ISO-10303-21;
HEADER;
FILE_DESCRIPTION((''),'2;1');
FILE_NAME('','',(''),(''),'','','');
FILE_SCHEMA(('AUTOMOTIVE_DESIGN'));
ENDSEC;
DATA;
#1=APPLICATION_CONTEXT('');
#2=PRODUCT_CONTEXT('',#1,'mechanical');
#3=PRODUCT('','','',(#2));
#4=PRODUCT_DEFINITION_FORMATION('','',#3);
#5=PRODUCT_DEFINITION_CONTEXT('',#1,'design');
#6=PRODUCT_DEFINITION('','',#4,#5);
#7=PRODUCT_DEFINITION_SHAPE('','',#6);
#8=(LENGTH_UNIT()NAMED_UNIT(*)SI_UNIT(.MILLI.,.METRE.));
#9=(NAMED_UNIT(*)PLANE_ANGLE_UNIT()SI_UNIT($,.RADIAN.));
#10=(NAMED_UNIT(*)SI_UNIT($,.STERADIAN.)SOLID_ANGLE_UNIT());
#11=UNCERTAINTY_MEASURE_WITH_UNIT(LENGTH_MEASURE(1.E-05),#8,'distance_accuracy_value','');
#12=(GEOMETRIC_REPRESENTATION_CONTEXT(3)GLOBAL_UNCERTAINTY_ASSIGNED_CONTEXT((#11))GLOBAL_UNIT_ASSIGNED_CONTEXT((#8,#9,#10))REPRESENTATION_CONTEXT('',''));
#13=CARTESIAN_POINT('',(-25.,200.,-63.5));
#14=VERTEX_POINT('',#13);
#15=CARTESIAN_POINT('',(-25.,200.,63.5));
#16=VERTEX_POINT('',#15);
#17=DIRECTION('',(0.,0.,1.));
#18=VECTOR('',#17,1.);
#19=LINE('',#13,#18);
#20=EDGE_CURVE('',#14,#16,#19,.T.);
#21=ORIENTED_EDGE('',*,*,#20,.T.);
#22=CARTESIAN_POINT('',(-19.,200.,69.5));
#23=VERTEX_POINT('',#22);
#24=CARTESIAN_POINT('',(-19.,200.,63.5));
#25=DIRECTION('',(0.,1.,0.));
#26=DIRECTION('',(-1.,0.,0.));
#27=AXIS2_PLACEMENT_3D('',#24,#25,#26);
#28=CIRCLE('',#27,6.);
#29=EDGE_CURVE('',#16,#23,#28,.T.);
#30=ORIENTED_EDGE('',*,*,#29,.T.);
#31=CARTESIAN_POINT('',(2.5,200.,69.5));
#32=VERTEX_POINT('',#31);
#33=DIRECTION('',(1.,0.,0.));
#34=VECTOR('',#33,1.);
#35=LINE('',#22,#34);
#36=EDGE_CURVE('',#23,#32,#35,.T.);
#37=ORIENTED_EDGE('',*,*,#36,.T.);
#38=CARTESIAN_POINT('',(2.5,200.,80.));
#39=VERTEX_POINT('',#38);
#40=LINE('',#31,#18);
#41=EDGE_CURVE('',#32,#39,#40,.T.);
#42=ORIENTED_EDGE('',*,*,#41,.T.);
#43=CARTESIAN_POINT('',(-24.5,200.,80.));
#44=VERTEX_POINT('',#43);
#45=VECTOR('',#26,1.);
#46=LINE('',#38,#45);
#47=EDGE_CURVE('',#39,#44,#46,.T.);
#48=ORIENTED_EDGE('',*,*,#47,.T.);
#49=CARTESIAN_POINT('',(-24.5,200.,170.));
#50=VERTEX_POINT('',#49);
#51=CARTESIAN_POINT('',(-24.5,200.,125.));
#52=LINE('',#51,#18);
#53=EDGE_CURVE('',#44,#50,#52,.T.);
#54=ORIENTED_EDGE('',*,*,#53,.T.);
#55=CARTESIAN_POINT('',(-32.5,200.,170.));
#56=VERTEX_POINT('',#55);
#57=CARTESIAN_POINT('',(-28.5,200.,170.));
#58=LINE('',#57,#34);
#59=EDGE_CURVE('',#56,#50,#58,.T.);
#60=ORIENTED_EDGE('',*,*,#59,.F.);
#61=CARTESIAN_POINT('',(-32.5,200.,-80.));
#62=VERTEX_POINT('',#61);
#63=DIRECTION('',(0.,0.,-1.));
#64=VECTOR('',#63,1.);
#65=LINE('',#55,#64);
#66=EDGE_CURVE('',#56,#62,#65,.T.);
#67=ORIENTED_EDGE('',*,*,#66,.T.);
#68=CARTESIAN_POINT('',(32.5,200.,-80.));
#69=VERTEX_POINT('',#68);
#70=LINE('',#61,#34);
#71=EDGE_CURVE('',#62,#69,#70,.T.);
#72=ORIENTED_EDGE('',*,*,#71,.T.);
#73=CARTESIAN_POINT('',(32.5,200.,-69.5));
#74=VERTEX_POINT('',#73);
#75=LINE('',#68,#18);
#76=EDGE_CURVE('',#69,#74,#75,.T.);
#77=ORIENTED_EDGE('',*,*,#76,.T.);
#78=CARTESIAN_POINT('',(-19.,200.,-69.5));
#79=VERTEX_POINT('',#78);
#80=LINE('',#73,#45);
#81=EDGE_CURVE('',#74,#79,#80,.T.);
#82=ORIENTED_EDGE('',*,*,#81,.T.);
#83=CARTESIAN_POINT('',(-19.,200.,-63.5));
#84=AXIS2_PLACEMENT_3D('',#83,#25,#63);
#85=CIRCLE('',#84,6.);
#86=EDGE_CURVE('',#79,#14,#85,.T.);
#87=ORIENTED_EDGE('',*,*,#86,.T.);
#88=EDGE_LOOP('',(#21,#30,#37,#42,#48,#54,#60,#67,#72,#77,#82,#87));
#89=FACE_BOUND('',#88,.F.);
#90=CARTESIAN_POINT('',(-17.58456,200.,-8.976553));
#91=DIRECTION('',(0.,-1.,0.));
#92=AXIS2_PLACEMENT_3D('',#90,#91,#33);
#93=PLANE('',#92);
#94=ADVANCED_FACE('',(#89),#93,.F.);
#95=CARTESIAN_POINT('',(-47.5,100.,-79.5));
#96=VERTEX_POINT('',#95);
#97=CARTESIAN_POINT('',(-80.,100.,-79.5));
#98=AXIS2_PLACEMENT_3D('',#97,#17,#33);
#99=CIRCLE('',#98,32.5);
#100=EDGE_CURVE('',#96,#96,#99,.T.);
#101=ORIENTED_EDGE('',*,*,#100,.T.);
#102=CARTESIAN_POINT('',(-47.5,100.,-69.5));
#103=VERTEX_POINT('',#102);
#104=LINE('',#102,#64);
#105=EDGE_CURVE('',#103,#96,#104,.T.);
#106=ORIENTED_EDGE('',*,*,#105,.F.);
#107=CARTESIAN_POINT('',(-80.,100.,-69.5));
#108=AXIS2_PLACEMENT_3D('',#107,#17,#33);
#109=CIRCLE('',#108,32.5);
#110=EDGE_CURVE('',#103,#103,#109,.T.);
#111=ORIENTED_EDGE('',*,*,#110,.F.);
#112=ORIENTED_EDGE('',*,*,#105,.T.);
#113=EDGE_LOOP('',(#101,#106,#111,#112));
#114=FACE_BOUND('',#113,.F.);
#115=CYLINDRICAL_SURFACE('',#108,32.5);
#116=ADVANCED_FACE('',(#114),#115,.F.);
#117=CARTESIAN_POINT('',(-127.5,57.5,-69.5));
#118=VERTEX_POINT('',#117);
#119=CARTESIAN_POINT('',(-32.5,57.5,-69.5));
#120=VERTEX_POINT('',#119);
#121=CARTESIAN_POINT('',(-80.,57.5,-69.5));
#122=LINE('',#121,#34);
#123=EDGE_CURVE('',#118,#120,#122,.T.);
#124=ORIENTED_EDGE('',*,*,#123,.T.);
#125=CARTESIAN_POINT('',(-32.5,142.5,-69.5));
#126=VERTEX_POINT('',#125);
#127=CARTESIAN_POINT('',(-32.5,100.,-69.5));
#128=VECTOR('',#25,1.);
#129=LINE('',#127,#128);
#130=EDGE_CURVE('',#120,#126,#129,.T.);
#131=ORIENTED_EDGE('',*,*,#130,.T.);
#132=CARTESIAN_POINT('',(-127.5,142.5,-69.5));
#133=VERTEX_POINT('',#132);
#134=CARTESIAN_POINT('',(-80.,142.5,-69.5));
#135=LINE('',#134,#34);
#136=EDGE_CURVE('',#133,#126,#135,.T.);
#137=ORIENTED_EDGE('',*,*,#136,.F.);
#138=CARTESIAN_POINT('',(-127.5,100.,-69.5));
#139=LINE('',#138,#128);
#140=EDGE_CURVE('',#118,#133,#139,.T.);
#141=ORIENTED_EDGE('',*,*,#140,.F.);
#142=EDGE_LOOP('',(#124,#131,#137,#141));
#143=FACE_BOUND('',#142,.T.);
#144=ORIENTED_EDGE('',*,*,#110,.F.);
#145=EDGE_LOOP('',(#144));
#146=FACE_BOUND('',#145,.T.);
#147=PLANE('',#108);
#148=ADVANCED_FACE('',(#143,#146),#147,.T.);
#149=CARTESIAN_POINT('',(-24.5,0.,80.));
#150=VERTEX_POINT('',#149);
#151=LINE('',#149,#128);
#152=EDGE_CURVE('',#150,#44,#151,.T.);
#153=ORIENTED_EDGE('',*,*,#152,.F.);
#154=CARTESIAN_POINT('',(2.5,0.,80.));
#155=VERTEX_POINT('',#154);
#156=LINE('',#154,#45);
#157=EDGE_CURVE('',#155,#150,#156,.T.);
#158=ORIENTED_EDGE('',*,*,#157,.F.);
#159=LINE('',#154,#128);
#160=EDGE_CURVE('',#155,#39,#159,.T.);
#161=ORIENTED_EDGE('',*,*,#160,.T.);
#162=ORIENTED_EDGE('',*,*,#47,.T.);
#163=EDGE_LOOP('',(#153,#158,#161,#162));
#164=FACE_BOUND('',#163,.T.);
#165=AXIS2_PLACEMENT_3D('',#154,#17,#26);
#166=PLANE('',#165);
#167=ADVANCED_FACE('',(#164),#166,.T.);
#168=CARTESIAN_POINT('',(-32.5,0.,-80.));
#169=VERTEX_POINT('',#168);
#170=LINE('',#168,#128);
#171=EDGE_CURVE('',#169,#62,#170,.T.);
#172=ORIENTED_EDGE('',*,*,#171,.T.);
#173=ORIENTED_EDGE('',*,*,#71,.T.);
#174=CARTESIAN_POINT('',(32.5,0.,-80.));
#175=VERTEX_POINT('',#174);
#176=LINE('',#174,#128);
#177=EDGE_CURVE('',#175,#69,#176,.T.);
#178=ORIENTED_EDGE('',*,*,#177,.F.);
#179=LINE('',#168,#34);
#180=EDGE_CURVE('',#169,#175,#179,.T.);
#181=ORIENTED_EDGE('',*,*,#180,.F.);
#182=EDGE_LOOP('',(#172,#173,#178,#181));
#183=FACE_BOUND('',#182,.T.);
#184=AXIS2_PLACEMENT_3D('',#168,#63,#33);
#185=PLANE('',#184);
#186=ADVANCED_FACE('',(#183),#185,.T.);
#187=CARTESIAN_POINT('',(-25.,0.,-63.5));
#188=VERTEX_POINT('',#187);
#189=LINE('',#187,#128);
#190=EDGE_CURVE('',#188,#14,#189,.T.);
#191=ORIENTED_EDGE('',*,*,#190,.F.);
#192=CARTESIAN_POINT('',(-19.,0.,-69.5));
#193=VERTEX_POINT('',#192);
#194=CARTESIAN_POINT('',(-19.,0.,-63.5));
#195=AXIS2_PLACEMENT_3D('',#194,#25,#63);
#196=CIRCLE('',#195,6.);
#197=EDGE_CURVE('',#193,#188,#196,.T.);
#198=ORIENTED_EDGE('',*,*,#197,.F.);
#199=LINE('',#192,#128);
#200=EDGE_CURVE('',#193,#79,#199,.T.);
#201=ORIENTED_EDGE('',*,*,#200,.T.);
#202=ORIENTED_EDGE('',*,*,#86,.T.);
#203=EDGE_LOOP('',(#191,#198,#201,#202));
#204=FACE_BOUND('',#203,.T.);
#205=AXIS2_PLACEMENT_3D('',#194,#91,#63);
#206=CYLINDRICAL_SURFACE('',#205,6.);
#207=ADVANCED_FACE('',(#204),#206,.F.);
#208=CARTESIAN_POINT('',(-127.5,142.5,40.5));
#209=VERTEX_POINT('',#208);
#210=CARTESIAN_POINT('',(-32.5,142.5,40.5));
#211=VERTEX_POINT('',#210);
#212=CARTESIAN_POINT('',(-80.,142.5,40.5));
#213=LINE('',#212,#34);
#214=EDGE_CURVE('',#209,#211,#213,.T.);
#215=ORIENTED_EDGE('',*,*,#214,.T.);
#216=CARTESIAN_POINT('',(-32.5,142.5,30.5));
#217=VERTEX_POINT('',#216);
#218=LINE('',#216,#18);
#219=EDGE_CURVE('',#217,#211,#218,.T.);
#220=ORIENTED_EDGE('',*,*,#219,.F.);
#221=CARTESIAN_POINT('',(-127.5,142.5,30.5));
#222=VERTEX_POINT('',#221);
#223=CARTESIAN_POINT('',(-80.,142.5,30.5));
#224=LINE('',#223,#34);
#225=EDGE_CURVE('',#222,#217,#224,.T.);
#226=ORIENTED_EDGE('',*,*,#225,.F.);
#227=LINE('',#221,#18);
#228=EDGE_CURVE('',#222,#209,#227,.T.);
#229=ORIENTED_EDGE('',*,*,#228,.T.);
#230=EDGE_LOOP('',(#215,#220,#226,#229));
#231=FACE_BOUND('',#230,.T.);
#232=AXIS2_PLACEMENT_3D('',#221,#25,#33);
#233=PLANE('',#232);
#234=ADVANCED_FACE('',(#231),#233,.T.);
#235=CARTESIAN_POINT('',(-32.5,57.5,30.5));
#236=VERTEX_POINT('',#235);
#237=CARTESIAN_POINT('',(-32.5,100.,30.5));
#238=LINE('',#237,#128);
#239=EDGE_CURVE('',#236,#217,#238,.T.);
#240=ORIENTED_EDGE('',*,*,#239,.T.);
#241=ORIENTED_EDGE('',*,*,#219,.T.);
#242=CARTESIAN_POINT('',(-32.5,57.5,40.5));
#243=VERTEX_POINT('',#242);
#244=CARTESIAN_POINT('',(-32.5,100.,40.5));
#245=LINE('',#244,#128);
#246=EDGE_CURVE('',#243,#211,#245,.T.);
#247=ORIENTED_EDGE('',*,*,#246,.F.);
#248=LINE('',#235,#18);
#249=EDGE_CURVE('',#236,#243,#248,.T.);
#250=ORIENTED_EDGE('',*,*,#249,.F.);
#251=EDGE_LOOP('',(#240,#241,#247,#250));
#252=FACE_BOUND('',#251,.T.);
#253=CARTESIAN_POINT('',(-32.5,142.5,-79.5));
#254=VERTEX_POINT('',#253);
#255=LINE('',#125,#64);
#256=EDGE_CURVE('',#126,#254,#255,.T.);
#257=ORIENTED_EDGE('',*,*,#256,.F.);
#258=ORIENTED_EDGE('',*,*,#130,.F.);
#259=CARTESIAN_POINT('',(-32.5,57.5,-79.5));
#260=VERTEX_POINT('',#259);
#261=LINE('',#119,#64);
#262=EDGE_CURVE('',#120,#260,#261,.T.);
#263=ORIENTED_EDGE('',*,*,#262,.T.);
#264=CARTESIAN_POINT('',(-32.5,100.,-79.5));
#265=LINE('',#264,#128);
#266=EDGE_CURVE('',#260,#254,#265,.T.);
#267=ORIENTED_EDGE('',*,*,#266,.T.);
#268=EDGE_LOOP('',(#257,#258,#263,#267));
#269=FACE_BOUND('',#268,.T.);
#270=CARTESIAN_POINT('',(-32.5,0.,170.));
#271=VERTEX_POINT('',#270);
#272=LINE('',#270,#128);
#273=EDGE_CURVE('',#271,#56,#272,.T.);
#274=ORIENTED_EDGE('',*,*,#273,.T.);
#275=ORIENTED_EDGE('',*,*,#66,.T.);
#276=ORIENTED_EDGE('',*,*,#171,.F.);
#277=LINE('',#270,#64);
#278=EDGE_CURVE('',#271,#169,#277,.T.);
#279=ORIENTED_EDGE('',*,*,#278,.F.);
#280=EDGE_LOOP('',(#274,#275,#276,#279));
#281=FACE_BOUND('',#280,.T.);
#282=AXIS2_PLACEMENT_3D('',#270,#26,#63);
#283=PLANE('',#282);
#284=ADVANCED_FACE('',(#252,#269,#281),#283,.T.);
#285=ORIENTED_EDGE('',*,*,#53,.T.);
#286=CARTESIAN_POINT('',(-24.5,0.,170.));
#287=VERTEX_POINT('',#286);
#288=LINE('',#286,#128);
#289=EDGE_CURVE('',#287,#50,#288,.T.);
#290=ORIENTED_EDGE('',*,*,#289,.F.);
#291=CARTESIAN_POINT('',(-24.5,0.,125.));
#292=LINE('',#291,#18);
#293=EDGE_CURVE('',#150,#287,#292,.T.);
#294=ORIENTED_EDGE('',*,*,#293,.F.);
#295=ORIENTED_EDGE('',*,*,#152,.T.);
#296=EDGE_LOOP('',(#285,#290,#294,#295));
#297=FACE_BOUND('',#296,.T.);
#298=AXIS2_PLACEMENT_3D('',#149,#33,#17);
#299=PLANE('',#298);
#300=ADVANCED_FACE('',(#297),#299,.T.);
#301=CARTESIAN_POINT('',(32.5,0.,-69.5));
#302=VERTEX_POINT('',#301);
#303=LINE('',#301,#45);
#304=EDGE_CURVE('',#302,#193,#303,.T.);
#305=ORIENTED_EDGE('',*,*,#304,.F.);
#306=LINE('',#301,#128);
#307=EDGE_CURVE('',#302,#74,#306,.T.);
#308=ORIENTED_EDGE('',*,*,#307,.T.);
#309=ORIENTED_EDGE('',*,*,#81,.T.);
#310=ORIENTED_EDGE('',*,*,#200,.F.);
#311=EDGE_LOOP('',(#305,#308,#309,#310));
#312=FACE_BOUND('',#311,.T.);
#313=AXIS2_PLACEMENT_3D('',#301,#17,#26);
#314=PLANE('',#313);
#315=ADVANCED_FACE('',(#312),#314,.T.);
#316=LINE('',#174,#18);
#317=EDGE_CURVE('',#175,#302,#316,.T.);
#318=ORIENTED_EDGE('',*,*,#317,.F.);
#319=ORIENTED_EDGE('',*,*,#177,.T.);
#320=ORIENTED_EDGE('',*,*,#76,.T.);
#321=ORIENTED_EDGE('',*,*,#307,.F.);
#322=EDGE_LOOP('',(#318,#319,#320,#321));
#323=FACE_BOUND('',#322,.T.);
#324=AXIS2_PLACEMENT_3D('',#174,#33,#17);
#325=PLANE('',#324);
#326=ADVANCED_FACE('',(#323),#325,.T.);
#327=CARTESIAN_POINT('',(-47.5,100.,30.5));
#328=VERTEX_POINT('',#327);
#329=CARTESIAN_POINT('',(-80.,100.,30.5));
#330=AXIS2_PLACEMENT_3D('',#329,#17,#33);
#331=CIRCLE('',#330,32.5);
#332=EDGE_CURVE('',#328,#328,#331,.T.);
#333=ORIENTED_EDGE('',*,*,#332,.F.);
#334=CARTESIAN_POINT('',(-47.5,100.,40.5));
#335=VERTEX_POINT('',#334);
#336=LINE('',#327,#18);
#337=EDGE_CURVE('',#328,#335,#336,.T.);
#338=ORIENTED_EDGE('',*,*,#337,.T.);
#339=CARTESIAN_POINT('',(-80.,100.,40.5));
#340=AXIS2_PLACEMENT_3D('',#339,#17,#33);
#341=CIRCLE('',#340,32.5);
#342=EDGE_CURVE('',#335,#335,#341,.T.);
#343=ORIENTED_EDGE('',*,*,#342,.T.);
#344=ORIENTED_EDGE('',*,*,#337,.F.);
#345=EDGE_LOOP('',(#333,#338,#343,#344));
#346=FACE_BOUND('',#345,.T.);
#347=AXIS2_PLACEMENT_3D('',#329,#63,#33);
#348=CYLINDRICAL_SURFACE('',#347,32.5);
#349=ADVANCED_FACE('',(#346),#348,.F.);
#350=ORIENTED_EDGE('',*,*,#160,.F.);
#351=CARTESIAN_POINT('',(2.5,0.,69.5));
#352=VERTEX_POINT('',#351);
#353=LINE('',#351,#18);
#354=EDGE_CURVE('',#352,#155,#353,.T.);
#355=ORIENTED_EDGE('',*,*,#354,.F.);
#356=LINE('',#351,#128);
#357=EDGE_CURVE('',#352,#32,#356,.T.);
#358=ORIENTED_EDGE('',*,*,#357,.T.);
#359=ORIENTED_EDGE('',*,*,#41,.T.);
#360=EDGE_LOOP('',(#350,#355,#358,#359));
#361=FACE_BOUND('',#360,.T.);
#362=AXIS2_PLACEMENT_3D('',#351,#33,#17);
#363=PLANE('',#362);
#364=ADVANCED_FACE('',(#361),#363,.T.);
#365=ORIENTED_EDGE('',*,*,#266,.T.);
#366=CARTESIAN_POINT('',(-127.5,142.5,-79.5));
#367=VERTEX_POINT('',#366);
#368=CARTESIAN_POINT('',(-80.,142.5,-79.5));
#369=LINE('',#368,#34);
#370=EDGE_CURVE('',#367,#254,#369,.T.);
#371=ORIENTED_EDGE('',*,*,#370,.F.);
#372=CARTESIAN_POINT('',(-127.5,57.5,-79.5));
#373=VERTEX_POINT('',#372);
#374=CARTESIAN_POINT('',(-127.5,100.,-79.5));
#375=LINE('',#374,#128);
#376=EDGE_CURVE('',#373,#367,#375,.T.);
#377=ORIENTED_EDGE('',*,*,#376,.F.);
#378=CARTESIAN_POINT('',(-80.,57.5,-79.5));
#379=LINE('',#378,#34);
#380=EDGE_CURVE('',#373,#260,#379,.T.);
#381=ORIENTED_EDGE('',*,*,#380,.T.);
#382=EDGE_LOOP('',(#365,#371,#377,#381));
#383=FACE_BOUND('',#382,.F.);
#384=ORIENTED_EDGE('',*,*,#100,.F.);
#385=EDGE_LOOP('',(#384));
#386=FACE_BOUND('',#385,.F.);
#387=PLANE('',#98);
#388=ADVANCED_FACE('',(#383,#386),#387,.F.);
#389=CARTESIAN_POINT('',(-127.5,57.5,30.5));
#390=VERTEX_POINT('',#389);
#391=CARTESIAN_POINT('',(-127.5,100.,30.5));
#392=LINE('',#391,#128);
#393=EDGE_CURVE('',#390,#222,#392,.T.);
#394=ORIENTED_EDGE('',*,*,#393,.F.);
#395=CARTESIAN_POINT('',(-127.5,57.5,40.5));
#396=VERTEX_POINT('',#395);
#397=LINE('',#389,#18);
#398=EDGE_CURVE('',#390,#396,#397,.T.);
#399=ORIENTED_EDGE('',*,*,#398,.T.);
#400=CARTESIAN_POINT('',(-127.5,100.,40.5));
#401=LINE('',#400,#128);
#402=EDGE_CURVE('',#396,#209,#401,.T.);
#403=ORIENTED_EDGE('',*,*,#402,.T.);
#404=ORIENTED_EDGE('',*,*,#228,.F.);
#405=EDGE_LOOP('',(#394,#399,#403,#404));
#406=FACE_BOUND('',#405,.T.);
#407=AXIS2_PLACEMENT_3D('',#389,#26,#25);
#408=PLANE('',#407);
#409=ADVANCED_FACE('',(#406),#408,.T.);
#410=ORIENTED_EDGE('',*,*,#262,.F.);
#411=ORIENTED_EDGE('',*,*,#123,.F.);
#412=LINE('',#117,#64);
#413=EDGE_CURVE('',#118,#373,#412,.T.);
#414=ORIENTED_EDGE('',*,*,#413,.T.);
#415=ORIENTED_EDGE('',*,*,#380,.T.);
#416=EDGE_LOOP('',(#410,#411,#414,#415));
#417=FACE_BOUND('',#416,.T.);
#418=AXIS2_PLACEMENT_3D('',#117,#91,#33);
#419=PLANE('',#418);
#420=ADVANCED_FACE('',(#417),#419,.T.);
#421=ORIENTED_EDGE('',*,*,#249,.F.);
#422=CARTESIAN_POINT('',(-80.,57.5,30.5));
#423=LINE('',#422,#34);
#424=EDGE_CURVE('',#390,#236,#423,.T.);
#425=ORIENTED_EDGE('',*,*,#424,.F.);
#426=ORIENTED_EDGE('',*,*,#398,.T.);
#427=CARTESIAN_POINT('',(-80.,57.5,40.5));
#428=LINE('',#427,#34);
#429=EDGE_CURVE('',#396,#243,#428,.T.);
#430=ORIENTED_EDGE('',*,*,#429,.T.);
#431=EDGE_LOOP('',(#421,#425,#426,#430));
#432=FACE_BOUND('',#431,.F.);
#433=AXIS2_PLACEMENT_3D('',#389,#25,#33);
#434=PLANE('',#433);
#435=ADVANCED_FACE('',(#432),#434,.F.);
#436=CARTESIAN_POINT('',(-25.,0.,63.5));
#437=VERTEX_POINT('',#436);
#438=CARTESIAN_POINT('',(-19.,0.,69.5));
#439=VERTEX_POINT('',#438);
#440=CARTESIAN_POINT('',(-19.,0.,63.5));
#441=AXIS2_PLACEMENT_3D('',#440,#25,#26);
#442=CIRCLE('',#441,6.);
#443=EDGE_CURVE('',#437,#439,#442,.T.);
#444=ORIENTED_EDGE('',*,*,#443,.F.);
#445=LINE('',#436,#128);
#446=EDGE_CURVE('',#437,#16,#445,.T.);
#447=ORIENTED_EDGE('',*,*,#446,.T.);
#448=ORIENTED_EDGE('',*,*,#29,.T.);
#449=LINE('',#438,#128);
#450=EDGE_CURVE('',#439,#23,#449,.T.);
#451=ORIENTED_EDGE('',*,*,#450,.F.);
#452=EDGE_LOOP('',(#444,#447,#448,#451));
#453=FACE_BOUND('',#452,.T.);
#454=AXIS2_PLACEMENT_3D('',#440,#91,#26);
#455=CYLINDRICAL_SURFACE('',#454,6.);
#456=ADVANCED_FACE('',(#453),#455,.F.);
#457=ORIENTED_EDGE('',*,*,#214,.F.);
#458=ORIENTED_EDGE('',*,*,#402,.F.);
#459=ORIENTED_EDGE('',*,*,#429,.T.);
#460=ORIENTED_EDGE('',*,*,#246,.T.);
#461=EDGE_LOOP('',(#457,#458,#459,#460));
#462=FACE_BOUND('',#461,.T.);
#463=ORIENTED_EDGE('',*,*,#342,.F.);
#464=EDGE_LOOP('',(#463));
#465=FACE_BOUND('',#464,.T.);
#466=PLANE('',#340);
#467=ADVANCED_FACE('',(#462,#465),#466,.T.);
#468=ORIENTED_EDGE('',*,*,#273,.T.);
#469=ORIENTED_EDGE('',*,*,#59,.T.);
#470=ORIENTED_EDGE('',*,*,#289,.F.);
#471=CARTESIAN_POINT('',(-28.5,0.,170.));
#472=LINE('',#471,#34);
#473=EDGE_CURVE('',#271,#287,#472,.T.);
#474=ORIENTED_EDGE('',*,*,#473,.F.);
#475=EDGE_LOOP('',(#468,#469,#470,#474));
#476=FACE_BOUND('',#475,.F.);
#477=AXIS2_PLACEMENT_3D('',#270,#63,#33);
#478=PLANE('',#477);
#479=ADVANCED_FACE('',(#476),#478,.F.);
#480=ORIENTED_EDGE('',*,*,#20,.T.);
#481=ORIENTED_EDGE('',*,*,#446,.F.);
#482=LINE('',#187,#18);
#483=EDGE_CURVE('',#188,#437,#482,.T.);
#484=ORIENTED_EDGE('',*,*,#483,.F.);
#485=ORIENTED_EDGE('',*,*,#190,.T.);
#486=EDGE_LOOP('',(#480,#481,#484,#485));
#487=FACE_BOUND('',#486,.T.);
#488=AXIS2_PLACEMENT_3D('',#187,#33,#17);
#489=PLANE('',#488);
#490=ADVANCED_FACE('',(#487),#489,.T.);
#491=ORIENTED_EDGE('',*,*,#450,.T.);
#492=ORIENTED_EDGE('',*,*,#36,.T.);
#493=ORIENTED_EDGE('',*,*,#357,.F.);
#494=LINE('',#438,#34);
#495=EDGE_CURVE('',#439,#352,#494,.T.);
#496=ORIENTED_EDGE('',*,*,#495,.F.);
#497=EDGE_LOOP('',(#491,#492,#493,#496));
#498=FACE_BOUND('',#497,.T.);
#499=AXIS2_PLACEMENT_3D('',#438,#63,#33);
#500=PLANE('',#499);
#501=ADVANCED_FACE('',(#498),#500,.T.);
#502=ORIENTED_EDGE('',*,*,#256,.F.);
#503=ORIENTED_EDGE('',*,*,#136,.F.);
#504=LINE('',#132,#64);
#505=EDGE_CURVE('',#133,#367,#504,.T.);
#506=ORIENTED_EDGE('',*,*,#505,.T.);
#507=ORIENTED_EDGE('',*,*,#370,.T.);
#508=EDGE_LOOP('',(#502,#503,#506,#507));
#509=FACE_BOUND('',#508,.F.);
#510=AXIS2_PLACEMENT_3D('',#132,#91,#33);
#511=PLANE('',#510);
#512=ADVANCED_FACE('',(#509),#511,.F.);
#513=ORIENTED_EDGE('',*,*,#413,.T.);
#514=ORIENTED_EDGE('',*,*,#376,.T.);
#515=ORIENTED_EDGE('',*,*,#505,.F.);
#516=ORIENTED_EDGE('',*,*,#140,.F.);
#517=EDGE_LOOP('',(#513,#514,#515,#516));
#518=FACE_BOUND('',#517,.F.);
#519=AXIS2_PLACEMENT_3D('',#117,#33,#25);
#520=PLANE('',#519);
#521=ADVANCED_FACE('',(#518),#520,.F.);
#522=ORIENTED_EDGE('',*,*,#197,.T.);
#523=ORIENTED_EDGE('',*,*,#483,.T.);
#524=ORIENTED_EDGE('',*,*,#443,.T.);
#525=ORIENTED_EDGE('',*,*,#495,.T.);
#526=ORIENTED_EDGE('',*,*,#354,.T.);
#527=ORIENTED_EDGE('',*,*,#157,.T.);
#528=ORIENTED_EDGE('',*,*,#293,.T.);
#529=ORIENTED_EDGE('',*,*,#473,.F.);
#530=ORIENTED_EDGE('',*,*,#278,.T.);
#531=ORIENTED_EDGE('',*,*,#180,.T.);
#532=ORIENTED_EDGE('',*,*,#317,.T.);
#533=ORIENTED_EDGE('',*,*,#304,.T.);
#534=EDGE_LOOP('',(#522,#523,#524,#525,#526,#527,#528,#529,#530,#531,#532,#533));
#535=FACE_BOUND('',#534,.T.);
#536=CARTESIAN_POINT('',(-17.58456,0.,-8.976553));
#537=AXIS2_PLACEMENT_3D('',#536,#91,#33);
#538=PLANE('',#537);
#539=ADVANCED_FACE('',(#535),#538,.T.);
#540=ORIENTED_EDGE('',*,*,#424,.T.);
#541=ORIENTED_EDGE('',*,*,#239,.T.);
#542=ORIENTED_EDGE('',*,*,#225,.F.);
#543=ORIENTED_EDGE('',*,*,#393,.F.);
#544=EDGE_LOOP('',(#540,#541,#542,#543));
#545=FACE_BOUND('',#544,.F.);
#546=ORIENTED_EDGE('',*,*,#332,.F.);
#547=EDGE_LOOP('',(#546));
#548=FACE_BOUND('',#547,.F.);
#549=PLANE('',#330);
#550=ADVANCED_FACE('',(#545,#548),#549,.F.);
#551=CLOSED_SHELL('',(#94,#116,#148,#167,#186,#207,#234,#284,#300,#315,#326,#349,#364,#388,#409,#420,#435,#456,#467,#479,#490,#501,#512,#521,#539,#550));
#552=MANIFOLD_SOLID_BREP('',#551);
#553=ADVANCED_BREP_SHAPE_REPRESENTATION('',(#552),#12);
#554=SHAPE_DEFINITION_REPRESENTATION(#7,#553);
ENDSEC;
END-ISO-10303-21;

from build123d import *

# Parameters (mm, degrees)
F0_W     = 8
F0_H     = 90
F1_DEPTH = 200
F3_W     = 95
F3_H     = 85
F3_R     = 32.5
F4_DEPTH = 10
F6_W     = 95
F6_H     = 85
F6_R     = 32.5
F7_DEPTH = 10


with BuildPart() as f1:
    # F0 (on Front) → F1 (new body)
    with BuildSketch(Plane.XZ):
        with BuildLine():
            Line((2.5, 69.5), (2.5, 80))
            Line((2.5, 80), (-24.5, 80))
            Line((-24.5, 80), (-32.5, 80))
            Line((-32.5, 80), (-32.5, -80))
            Line((-32.5, -80), (32.5, -80))
            Line((32.5, -80), (32.5, -69.5))
            Line((32.5, -69.5), (-19, -69.5))
            ThreePointArc((-19, -69.5), (-23.2426406871, -67.7426406871), (-25, -63.5))
            Line((-25, -63.5), (-25, 63.5))
            ThreePointArc((-25, 63.5), (-23.2426406871, 67.7426406871), (-19, 69.5))
            Line((-19, 69.5), (2.5, 69.5))
        make_face()
        with Locations((-28.5, 125)):
            Rectangle(F0_W, F0_H)
    extrude(amount=-F1_DEPTH)

    # F3 (on offset) → F4 (join)
    with BuildSketch(Plane.XY.offset(-69.5)):
        with Locations((-80, 100)):
            Rectangle(F3_W, F3_H)
        with Locations((-80, 100)):
            Circle(F3_R, mode=Mode.SUBTRACT)
    extrude(amount=-F4_DEPTH)

    # F6 (on offset) → F7 (join)
    with BuildSketch(Plane.XY.offset(30.5)):
        with Locations((-80, 100)):
            Rectangle(F6_W, F6_H)
        with Locations((-80, 100)):
            Circle(F6_R, mode=Mode.SUBTRACT)
    extrude(amount=F7_DEPTH)


solid = f1.part
